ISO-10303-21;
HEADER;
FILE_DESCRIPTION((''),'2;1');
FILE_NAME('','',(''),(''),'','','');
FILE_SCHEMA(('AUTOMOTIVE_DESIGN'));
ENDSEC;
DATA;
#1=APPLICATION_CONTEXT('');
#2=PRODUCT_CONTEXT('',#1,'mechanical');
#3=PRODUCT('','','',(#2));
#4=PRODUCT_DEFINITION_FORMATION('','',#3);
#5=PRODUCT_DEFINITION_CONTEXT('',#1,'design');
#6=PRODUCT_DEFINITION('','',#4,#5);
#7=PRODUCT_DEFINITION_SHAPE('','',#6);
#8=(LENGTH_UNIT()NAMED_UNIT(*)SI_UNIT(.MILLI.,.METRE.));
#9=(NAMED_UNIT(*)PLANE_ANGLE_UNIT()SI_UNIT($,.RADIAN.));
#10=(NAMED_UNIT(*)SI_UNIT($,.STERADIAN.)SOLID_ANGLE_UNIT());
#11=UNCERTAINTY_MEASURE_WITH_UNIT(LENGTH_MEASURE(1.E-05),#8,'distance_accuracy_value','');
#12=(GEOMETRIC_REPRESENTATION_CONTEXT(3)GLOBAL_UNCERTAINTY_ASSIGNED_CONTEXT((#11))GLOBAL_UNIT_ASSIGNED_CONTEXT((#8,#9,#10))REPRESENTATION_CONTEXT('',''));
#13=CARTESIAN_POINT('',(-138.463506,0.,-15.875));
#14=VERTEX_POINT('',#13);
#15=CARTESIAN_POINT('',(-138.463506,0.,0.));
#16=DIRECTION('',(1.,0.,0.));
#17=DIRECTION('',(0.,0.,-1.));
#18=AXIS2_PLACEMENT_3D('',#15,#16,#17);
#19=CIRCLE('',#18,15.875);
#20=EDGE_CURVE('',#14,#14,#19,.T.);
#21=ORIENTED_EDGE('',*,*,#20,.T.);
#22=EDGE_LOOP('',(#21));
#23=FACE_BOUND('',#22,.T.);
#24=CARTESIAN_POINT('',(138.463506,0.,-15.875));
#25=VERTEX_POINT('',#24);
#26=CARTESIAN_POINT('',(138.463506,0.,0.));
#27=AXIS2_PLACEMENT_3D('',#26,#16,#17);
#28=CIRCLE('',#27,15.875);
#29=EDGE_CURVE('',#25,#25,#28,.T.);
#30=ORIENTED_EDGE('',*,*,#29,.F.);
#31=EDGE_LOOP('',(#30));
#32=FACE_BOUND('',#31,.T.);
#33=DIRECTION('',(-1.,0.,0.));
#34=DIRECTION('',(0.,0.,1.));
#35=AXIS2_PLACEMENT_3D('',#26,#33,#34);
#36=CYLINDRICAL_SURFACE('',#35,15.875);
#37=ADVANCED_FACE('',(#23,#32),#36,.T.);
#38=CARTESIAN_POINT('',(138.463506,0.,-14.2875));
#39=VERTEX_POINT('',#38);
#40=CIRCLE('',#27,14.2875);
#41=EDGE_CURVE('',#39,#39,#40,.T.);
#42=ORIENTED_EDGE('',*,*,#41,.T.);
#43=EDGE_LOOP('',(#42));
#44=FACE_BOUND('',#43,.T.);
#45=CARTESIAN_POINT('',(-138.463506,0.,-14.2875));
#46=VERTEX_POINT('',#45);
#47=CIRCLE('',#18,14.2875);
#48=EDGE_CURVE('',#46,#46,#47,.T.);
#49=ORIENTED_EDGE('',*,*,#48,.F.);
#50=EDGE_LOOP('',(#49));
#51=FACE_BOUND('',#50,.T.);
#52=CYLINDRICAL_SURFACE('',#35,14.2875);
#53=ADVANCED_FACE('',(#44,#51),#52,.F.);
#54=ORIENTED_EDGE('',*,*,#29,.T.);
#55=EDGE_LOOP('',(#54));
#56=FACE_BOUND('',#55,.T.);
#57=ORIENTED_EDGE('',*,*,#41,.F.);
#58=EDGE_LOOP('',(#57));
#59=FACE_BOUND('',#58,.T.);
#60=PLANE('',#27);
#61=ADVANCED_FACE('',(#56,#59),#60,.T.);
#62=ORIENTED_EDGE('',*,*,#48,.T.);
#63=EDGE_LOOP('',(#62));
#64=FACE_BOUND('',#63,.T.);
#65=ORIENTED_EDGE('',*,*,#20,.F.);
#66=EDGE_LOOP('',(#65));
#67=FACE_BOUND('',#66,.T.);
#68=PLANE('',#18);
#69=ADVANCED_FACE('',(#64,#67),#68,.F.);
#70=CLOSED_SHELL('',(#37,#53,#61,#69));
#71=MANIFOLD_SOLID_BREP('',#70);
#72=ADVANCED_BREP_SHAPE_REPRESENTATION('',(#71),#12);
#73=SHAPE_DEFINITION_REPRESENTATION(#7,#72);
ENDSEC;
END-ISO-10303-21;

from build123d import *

# Parameters (mm, degrees)
SKETCH1_R           = 15.875
SKETCH1_R_2         = 14.2875
EXTRUDE_THIN1_DEPTH = 138.463505902


with BuildPart() as part:
    # Sketch1 → Extrude-Thin1 (new, symmetric)
    with BuildSketch(Plane(origin=(0, 0, 0), x_dir=(0, 0, -1), z_dir=(1, 0, 0))):
        Circle(SKETCH1_R)
        Circle(SKETCH1_R_2, mode=Mode.SUBTRACT)
    extrude(amount=EXTRUDE_THIN1_DEPTH, both=True)


solid = part.part
